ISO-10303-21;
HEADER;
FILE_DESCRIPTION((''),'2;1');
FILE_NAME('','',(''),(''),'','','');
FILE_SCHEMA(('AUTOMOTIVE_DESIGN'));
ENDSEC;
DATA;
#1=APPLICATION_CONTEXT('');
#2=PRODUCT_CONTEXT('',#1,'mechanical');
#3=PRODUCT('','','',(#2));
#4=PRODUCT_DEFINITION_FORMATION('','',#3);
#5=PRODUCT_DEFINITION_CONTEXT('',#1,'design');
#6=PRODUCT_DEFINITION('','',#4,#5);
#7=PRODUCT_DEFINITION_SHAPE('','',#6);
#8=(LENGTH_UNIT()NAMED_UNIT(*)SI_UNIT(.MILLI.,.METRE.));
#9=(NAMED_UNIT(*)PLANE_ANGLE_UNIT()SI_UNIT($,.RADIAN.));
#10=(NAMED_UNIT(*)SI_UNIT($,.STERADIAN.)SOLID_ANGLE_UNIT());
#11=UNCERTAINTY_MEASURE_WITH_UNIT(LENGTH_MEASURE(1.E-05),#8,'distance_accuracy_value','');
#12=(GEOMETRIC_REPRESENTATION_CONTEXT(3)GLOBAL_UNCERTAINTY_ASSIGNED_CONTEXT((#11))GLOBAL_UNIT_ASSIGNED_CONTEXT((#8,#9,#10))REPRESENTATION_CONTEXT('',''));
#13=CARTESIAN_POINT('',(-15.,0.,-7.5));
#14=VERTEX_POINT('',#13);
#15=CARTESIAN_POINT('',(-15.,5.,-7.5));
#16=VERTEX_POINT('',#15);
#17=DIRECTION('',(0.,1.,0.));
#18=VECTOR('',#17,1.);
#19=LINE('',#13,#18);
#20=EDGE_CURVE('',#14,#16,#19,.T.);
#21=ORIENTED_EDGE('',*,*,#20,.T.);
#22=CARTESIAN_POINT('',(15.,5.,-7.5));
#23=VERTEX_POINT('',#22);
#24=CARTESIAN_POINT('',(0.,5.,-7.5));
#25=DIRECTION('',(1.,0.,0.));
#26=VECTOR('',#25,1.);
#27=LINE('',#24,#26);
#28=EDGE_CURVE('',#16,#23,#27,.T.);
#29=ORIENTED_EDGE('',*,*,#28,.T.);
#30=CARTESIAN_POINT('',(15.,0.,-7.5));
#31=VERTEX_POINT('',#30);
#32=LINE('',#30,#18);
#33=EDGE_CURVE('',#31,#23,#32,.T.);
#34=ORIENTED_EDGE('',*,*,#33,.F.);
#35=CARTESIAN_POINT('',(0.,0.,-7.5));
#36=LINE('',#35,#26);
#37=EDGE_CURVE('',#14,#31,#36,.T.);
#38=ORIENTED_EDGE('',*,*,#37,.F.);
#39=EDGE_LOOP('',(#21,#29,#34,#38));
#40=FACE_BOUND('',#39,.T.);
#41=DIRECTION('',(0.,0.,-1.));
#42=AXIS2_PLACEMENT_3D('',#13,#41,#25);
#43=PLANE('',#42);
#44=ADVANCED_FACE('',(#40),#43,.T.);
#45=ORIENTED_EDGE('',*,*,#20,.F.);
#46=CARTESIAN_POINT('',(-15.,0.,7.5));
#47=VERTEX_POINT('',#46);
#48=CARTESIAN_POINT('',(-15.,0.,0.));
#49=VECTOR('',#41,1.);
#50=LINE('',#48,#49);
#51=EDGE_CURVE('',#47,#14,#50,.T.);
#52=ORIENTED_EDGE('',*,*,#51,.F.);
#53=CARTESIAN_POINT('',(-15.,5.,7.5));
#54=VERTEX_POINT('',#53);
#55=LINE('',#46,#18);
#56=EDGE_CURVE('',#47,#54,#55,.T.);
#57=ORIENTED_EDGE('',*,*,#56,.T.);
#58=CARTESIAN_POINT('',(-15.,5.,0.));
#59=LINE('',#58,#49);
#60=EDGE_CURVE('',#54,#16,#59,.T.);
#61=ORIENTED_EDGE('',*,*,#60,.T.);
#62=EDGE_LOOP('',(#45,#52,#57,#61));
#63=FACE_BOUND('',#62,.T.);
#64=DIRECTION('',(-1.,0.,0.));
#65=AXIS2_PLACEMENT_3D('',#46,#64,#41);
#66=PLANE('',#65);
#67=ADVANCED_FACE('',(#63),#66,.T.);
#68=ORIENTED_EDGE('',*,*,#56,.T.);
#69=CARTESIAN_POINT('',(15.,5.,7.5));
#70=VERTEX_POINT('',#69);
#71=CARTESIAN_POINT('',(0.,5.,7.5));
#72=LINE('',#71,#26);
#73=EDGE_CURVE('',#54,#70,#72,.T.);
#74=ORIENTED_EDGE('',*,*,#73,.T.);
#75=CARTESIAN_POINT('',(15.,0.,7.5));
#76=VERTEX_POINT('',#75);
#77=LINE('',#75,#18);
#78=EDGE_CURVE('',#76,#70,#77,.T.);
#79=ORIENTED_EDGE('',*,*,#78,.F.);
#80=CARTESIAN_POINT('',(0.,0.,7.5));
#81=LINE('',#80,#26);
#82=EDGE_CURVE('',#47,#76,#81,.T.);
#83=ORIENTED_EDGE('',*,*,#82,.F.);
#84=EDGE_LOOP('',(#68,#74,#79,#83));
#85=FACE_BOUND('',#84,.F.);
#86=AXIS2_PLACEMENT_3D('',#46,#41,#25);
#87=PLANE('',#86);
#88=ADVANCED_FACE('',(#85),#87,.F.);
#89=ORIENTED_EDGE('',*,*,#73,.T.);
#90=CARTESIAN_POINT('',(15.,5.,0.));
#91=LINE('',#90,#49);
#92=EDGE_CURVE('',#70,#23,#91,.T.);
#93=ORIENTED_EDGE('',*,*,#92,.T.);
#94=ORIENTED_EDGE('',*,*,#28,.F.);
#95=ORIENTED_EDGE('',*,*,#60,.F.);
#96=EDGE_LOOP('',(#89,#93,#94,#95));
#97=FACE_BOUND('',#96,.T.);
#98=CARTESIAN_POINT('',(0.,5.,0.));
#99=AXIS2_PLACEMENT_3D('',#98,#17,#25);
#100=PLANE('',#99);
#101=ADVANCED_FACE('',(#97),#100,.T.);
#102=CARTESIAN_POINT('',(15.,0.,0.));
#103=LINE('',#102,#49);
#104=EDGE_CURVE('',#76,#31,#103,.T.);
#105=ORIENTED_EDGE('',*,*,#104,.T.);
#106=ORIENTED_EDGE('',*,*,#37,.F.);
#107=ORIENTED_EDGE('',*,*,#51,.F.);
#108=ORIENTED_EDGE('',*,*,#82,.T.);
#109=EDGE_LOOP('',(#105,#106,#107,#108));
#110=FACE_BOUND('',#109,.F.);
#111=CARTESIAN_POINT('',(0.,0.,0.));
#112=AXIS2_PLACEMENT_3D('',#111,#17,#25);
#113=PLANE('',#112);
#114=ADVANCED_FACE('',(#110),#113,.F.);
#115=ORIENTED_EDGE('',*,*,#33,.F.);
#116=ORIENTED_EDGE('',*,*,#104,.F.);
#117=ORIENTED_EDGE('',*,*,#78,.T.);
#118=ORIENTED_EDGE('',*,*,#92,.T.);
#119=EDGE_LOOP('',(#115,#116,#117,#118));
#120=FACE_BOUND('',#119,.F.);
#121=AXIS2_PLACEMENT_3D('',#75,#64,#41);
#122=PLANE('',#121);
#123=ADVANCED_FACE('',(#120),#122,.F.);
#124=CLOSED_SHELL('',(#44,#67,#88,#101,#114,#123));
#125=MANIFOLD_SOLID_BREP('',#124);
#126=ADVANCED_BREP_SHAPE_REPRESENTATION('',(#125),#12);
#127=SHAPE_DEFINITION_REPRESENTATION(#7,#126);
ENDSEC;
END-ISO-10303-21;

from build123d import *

# Parameters (mm, degrees)
SKETCH1_W           = 30
SKETCH1_H           = 15
BOSS_EXTRUDE1_DEPTH = 5


with BuildPart() as part:
    # Sketch1 → Boss-Extrude1 (new body)
    with BuildSketch(Plane(origin=(0, 0, 0), x_dir=(1, 0, 0), z_dir=(0, 1, 0))):
        Rectangle(SKETCH1_W, SKETCH1_H)
    extrude(amount=BOSS_EXTRUDE1_DEPTH)


solid = part.part
